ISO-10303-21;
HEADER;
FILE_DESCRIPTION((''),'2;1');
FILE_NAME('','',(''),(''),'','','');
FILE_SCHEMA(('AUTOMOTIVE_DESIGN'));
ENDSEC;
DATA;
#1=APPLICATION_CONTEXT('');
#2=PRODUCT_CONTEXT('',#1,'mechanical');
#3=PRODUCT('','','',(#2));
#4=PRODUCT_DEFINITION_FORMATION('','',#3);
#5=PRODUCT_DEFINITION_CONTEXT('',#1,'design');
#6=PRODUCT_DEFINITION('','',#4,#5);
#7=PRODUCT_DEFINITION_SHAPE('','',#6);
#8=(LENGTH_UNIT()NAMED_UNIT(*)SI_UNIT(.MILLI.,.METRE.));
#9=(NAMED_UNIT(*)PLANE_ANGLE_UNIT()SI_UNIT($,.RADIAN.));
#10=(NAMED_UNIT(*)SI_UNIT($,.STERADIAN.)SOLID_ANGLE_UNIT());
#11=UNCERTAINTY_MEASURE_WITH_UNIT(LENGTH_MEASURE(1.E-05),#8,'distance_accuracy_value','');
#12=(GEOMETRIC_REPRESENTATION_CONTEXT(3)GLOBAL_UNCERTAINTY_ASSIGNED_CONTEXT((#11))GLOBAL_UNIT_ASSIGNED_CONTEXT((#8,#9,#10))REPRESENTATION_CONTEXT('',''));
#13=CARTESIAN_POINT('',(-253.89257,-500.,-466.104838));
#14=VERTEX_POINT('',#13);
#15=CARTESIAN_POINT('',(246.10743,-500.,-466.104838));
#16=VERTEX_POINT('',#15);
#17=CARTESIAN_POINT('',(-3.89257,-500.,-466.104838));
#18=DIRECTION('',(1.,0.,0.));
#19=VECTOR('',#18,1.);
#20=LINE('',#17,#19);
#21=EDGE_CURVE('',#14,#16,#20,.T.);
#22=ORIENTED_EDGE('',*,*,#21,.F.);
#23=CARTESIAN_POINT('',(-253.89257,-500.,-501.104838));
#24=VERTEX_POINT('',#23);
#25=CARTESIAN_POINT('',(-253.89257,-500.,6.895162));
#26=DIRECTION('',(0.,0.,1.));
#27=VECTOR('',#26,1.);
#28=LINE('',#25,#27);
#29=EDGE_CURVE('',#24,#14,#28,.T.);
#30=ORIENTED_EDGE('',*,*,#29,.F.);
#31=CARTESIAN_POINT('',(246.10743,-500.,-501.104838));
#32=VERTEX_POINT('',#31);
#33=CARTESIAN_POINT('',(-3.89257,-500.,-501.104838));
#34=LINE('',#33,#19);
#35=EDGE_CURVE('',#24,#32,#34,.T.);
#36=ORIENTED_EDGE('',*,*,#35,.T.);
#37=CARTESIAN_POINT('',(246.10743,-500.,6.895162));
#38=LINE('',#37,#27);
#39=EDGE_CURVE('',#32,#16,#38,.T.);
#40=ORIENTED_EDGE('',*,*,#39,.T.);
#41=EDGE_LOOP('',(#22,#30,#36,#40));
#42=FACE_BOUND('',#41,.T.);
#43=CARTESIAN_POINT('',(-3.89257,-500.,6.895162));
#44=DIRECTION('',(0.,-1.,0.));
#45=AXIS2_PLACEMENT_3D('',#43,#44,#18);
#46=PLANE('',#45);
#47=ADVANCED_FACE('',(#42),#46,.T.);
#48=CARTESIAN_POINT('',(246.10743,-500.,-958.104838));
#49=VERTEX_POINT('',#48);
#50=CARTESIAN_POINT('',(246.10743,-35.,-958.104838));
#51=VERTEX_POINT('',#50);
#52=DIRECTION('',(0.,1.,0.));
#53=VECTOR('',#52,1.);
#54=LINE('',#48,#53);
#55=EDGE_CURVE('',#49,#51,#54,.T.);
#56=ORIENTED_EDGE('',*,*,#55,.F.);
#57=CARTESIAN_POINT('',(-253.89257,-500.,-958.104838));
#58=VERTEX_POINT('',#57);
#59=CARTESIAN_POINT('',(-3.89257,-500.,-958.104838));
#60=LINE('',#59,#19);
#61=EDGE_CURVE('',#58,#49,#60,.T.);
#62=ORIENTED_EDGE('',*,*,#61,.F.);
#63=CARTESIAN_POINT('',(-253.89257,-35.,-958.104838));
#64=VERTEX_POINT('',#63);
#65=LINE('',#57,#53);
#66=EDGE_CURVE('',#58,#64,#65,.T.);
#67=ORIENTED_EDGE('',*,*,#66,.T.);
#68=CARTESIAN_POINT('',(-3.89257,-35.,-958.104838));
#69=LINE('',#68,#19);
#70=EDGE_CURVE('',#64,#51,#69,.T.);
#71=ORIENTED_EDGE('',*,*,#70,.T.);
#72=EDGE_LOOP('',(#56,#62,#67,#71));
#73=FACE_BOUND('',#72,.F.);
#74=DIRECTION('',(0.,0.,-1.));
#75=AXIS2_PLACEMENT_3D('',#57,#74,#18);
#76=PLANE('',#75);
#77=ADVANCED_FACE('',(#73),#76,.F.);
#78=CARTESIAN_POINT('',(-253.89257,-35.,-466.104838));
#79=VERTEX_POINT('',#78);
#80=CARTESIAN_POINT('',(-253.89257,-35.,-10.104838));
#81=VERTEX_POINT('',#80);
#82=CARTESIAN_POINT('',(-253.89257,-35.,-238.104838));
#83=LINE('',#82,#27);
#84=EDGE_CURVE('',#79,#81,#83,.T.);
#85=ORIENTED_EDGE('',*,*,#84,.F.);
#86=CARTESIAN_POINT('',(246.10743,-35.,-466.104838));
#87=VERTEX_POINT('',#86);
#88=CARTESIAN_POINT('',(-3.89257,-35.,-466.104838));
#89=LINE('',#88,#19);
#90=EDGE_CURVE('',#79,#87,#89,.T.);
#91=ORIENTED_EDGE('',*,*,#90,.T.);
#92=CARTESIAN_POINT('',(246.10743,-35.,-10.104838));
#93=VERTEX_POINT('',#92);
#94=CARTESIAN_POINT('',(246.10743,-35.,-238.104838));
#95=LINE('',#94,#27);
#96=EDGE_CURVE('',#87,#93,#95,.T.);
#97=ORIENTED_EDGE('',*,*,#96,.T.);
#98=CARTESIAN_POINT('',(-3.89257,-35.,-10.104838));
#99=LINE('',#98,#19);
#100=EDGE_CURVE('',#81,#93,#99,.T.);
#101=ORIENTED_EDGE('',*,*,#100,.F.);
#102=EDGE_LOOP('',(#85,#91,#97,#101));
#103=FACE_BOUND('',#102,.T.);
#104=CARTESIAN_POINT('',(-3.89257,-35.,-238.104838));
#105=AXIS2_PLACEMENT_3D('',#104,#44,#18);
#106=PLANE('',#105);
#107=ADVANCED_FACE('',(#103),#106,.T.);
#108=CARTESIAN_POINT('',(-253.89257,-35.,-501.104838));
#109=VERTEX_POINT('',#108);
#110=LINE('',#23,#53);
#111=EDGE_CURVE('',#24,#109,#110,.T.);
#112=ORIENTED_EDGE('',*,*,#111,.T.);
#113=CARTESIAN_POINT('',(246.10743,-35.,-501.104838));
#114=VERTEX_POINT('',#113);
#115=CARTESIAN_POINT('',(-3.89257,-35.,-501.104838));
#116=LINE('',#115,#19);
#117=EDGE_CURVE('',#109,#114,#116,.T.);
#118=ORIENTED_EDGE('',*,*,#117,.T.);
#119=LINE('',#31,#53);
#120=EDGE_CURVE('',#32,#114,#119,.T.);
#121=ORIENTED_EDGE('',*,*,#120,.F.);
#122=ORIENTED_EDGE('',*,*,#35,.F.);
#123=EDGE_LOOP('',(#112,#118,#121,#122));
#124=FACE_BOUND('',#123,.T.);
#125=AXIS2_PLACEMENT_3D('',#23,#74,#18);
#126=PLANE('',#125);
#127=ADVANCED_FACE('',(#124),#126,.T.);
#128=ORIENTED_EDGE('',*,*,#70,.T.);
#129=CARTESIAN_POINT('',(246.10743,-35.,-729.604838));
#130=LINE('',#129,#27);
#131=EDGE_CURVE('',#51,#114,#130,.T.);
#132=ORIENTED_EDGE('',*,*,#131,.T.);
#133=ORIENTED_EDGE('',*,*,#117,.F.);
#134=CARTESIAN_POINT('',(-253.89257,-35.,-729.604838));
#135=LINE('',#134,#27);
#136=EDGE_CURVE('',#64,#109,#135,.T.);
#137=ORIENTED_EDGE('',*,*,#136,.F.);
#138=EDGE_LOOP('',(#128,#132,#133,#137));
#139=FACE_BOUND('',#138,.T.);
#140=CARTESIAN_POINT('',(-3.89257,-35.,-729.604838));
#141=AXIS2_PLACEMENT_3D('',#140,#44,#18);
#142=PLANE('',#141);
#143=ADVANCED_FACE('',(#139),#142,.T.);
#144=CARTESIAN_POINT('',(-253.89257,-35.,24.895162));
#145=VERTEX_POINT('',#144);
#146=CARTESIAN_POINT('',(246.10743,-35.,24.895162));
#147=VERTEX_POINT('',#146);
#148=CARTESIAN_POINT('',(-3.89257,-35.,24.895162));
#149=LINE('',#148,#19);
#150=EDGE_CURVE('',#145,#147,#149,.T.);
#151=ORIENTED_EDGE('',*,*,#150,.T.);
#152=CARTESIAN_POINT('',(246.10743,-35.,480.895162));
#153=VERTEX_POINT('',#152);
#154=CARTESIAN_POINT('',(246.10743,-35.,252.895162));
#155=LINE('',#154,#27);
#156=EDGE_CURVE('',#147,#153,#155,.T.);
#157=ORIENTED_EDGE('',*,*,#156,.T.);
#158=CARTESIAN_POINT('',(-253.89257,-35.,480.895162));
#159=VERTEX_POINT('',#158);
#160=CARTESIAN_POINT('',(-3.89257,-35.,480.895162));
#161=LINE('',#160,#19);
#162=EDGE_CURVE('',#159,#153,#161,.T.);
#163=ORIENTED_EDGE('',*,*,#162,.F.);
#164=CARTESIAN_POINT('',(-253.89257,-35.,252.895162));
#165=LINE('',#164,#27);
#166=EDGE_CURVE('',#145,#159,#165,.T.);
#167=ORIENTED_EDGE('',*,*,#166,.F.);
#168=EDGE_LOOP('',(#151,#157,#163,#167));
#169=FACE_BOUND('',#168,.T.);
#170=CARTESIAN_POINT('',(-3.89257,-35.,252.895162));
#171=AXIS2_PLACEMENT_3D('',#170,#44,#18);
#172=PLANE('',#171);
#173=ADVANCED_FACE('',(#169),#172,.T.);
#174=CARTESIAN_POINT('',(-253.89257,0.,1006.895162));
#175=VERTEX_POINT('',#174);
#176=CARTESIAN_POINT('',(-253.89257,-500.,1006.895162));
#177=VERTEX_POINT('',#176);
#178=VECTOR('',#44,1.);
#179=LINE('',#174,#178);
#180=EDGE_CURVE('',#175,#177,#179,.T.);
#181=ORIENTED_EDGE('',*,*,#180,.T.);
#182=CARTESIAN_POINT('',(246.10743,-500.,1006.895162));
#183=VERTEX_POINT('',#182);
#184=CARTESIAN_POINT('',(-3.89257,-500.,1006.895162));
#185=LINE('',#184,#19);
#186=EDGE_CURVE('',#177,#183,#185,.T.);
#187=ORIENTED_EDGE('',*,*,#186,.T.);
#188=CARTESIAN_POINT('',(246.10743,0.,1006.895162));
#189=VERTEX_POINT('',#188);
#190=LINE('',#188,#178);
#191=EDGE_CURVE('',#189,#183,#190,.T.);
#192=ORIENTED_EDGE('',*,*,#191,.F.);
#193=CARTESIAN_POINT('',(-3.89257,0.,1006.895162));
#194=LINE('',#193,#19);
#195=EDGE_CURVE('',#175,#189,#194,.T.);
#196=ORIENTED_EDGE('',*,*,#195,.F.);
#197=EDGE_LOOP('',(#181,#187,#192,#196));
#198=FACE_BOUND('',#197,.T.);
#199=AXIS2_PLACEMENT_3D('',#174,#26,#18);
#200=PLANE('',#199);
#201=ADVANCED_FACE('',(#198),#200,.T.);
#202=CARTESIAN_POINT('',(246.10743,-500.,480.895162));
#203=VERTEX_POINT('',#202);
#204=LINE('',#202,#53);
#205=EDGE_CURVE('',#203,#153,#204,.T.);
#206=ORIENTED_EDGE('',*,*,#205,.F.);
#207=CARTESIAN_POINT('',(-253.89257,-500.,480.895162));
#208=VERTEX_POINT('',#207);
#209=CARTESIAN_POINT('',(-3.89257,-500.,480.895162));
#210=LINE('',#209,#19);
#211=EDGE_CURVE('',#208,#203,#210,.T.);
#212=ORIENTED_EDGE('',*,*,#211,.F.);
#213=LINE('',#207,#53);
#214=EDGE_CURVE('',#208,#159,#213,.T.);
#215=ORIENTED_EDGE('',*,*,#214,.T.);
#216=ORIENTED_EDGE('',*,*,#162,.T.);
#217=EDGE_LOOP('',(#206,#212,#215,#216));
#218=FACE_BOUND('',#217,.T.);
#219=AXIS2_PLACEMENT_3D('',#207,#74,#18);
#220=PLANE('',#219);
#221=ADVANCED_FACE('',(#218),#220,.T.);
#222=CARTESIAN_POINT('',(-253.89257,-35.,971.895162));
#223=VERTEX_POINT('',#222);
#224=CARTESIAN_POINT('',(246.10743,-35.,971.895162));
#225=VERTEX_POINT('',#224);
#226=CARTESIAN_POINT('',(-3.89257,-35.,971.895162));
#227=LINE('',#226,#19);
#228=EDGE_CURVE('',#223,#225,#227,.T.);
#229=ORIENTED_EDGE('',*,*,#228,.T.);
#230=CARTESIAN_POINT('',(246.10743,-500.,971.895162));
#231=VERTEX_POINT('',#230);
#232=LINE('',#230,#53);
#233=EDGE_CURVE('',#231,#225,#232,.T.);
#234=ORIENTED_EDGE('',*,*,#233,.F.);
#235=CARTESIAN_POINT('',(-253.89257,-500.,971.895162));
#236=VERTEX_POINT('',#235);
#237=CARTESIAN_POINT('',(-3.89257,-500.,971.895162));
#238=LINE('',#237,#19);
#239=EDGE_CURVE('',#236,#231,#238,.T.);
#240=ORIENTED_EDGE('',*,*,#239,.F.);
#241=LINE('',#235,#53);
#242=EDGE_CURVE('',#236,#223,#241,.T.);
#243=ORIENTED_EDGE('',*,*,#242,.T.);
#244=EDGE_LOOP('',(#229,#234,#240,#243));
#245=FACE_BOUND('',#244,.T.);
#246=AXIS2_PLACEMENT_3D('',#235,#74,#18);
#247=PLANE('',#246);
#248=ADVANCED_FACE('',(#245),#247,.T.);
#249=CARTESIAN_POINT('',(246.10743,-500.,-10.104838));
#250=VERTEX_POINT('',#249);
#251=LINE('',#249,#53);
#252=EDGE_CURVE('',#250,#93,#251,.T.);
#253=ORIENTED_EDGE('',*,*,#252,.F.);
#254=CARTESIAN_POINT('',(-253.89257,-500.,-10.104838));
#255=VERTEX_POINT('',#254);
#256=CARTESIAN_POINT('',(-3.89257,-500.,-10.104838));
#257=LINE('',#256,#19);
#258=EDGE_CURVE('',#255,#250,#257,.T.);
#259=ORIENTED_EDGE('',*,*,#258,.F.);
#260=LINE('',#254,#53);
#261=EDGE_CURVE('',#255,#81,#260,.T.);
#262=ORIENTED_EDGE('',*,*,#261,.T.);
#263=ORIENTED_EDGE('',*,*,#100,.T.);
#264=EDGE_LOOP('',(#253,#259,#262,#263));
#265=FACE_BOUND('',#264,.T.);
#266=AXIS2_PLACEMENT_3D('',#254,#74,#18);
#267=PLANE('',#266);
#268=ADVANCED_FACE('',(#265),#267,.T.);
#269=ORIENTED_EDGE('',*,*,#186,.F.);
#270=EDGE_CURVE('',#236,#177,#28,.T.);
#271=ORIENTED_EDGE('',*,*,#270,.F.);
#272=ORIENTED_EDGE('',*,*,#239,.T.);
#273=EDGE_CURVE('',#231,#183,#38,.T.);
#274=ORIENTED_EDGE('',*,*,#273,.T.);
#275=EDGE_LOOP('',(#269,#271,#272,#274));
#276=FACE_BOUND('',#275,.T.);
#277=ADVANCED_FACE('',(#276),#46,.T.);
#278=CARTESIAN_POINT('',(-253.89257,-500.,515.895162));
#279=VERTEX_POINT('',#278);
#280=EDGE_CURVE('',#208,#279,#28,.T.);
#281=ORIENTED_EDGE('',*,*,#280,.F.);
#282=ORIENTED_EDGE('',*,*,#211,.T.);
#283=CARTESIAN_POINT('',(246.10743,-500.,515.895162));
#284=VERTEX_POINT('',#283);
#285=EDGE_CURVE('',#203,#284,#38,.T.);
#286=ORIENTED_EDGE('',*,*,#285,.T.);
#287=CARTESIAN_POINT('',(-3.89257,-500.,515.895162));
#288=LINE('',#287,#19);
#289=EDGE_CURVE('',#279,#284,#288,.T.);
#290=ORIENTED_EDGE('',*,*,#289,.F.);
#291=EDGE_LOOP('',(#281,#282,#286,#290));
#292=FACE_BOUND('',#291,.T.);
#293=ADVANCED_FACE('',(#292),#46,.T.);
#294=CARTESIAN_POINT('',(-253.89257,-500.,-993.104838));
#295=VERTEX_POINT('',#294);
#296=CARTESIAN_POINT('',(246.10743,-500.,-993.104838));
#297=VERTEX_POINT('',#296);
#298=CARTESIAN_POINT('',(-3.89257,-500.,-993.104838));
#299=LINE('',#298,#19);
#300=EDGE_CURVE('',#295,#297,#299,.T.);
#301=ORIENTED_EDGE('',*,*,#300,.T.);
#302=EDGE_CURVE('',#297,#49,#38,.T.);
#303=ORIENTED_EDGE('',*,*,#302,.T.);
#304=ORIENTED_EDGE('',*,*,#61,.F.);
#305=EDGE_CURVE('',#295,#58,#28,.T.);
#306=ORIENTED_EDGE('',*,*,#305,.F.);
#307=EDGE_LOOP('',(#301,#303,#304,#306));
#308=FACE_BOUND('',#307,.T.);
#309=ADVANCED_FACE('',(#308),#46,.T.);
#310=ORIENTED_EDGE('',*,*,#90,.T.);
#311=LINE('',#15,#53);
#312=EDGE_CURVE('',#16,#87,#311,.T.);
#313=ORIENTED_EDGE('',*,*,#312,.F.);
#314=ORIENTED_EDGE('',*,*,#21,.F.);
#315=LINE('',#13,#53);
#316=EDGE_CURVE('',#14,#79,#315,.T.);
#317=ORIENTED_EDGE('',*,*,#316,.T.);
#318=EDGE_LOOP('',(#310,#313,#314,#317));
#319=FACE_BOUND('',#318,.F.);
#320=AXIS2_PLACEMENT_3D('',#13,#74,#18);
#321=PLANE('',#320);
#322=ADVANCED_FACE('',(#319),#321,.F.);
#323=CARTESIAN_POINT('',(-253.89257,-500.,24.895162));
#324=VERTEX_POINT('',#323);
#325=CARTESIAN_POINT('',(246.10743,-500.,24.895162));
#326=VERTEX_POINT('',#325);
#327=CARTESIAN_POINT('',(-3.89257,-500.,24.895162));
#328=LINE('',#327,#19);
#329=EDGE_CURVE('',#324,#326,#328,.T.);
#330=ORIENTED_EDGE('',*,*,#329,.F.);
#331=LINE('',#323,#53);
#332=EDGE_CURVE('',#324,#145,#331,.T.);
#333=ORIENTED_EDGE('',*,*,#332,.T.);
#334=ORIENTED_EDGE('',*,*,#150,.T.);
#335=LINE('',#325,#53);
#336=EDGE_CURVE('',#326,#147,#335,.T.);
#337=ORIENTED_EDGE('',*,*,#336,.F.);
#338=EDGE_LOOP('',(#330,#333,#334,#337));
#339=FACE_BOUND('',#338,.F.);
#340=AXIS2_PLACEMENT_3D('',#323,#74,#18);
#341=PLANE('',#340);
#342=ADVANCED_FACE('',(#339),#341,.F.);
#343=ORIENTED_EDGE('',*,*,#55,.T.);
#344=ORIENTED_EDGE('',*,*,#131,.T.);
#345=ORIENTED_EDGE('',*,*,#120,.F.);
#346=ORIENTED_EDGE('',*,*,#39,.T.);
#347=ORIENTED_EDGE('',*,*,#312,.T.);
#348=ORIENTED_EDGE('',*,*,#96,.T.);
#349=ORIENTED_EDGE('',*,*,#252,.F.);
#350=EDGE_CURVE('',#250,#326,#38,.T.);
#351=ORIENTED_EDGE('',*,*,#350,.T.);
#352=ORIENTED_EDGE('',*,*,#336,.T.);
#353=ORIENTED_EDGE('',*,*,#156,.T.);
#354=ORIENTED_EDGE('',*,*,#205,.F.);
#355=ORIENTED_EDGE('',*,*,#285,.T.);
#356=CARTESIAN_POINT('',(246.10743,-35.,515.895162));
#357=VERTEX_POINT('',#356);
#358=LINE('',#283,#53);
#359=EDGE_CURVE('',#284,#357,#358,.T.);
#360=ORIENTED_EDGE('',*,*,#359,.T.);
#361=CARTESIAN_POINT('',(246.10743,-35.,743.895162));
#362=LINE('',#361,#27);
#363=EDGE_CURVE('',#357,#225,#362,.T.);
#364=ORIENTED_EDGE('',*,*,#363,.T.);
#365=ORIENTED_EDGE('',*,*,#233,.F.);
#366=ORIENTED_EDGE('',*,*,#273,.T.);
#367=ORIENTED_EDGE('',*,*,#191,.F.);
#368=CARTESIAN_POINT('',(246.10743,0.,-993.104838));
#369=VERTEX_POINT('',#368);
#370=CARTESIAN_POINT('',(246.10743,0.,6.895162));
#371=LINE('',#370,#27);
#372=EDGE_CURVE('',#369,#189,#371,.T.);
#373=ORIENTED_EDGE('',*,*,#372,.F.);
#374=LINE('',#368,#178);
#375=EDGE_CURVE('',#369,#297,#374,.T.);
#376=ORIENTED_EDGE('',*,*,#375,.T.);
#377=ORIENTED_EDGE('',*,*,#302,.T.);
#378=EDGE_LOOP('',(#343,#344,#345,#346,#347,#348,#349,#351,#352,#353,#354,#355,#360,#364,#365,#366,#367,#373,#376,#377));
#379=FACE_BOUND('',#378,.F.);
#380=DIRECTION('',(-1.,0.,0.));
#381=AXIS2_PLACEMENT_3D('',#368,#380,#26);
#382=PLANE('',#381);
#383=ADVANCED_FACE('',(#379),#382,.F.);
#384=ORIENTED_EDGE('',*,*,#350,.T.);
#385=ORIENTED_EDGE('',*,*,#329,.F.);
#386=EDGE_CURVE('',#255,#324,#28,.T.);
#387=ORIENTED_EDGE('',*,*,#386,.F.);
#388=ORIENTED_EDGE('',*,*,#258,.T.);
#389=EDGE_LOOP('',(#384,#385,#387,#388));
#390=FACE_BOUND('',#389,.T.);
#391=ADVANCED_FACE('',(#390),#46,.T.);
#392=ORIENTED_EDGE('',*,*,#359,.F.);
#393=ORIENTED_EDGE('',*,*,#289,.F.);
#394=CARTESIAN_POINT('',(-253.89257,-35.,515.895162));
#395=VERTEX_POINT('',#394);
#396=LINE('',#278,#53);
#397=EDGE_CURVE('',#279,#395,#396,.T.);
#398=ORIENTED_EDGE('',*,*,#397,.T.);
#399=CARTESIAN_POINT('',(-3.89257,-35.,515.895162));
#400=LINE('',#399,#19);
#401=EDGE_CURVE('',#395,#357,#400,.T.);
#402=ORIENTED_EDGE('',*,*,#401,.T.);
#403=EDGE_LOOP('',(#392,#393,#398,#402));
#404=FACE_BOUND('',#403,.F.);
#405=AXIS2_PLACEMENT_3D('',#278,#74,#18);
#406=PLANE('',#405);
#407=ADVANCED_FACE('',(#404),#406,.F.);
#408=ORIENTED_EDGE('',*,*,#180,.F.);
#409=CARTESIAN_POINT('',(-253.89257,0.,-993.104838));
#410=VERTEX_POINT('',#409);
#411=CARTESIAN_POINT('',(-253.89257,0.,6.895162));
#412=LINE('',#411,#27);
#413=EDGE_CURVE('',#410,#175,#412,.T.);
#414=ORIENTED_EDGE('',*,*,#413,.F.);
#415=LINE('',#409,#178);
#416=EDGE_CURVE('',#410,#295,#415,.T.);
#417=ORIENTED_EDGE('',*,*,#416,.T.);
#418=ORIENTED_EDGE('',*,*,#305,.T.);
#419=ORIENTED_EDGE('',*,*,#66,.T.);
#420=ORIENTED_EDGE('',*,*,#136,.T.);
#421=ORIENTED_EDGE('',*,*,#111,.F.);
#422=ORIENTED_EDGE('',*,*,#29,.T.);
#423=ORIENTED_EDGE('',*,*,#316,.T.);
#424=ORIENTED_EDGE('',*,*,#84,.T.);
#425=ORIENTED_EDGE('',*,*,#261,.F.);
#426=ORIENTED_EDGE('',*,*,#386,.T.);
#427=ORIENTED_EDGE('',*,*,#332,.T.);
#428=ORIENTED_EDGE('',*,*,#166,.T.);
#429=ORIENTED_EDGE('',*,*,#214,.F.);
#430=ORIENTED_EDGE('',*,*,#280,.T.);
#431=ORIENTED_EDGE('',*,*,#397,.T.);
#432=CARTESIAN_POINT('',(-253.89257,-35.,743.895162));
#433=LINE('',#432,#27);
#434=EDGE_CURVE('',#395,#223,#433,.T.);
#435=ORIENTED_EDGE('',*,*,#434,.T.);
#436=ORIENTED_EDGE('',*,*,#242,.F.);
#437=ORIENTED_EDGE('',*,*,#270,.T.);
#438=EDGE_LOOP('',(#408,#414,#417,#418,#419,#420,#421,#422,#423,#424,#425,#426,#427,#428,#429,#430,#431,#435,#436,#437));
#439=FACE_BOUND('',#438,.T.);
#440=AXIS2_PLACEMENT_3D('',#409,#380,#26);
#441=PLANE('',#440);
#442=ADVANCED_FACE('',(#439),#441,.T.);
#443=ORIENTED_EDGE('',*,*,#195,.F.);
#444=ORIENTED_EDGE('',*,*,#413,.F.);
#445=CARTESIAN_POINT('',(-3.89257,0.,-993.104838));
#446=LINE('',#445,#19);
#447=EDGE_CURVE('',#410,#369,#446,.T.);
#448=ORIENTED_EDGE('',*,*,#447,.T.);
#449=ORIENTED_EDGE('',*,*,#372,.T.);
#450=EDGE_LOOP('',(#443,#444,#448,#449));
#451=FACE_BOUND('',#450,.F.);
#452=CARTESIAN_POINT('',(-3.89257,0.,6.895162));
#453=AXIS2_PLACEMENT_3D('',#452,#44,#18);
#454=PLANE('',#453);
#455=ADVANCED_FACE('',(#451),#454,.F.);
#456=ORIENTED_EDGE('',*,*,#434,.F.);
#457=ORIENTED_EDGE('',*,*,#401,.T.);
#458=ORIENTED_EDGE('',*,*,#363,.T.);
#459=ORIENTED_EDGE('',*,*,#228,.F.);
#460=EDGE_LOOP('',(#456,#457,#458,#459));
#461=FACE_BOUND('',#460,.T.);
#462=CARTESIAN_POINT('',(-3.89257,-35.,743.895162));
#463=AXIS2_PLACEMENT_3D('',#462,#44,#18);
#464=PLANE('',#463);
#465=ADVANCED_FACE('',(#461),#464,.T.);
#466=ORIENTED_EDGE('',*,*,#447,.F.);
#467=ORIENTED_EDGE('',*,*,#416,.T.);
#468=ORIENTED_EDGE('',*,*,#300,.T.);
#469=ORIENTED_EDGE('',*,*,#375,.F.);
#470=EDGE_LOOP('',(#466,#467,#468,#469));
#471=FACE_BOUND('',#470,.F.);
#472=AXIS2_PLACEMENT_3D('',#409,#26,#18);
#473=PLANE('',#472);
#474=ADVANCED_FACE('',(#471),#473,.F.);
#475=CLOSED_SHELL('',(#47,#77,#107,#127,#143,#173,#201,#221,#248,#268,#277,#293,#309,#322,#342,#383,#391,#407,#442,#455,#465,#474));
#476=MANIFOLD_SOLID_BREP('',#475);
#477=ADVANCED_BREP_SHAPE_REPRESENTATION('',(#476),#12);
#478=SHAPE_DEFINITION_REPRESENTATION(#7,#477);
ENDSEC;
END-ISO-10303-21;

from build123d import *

# Parameters (mm, degrees)
F0_W     = 500
F0_H     = 2000
F1_DEPTH = 500
F2_W     = 500
F2_H     = 456
F2_H_2   = 457
F3_DEPTH = 465


with BuildPart() as f1:
    # F0 (on Front) → F1 (new body)
    with BuildSketch(Plane.XZ):
        with Locations((-3.89257, 6.895162)):
            Rectangle(F0_W, F0_H)
    extrude(amount=F1_DEPTH)

    # F2 (on face) → F3 (cut)
    with BuildSketch(Plane.XZ.offset(500)):
        with Locations((-3.89257, 743.895162)):
            Rectangle(F2_W, F2_H)
        with Locations((-3.89257, 252.895162)):
            Rectangle(F2_W, F2_H)
        with Locations((-3.89257, -238.104838)):
            Rectangle(F2_W, F2_H)
        with Locations((-3.89257, -729.604838)):
            Rectangle(F2_W, F2_H_2)
    extrude(amount=-F3_DEPTH, mode=Mode.SUBTRACT)


solid = f1.part
